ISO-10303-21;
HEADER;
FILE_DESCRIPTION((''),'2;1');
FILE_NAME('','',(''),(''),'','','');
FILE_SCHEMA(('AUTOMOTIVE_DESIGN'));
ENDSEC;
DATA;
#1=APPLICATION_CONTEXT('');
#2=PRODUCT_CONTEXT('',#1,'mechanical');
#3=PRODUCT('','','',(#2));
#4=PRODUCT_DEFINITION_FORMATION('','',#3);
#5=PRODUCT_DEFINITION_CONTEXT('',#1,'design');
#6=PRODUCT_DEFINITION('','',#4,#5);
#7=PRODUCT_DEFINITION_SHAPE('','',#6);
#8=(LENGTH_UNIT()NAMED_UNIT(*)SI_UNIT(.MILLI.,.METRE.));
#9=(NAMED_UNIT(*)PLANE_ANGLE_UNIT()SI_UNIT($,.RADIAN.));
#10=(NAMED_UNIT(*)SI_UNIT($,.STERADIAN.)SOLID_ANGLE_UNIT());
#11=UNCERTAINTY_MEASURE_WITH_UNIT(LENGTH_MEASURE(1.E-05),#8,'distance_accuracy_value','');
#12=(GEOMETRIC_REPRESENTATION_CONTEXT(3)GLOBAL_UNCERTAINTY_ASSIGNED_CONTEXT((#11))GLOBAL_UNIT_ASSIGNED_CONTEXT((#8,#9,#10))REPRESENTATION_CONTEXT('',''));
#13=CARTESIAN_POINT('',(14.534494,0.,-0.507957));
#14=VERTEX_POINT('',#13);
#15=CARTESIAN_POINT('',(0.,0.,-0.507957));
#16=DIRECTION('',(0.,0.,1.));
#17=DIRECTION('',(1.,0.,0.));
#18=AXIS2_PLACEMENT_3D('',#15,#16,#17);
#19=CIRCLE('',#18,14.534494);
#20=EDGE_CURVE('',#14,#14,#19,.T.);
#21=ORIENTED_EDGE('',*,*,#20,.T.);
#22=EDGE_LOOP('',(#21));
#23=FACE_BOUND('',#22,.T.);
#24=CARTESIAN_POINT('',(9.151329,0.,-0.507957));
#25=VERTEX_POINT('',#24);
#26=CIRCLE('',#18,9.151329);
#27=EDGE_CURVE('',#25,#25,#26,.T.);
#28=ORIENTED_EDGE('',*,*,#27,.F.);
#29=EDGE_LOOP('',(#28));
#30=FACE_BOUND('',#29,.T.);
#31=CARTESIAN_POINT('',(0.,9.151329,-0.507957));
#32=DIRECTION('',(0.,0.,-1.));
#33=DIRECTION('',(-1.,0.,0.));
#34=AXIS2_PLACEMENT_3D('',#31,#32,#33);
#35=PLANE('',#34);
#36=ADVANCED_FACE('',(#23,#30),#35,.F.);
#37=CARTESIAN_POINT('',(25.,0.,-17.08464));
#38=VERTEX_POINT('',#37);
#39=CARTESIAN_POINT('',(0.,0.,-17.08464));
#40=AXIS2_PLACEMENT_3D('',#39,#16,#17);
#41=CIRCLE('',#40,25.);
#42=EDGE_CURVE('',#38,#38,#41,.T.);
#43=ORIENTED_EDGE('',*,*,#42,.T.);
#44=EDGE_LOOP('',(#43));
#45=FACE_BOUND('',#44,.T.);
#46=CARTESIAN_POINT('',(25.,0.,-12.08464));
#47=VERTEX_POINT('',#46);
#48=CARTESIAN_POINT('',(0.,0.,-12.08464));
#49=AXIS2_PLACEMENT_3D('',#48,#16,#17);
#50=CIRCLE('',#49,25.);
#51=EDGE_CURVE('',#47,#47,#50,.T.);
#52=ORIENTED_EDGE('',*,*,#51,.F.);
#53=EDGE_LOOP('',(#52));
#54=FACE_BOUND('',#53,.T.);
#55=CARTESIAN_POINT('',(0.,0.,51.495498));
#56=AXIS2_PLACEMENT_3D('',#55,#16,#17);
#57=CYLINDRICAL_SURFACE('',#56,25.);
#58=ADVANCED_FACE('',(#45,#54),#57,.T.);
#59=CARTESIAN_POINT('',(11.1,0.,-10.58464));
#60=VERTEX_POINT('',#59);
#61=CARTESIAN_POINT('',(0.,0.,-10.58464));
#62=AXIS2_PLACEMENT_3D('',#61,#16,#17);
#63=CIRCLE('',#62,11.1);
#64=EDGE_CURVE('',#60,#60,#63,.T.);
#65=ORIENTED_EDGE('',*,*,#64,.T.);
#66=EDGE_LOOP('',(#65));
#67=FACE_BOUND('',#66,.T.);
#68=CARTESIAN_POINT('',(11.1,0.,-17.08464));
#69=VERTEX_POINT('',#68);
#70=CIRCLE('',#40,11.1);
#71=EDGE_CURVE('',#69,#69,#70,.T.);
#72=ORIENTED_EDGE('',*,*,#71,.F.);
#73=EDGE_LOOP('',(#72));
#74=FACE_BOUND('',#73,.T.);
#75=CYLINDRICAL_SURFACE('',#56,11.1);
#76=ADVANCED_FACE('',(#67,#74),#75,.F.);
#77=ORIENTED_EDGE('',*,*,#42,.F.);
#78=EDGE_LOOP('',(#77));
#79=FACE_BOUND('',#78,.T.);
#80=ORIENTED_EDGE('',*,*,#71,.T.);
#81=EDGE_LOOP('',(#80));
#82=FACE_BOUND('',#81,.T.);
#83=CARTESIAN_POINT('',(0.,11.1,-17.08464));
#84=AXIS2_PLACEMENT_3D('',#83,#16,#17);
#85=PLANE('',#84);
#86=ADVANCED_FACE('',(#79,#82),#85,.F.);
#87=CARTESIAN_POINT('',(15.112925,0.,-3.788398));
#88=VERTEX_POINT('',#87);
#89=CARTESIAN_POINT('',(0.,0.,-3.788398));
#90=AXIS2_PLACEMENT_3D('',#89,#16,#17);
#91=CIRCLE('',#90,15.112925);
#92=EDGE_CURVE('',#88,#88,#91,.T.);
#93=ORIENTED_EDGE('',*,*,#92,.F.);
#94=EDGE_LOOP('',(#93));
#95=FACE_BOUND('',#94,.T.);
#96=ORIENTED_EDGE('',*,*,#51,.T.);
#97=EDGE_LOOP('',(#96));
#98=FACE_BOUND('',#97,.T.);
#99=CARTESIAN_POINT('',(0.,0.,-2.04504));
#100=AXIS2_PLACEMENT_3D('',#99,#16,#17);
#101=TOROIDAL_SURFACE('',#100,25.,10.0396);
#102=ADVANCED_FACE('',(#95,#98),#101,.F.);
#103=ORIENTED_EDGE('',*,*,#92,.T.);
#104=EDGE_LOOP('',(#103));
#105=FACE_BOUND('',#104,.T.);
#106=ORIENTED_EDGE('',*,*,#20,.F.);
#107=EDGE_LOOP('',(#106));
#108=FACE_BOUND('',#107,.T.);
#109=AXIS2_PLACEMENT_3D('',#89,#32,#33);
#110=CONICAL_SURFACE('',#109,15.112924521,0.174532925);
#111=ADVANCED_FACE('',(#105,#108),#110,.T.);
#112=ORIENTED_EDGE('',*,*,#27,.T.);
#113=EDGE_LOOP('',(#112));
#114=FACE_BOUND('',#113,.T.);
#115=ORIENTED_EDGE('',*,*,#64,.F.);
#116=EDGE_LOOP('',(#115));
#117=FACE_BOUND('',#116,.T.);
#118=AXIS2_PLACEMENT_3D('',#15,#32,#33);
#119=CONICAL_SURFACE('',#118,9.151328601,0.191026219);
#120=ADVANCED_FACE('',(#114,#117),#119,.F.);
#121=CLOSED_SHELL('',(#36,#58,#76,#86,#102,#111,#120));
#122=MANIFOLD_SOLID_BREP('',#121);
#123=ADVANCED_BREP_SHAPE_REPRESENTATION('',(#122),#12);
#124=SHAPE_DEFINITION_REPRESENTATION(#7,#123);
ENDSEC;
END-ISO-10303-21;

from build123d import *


with BuildPart() as part:
    # Sketch1 → Revolve1 (revolve)
    with BuildSketch(Plane(origin=(0, 0, 0), x_dir=(0, 0, -1), z_dir=(1, 0, 0)), mode=Mode.PRIVATE) as revolve1_sk:
        with BuildLine():
            Line((0.507957169, 14.534494268), (3.788398149, 15.112924521))
            ThreePointArc((3.788398149, 15.112924521), (9.735819432, 18.5466698), (12.084639537, 25))
            Line((12.084639537, 25), (17.084639537, 25))
            Line((17.084639537, 25), (17.084639537, 11.1))
            Line((17.084639537, 11.1), (10.584639537, 11.1))
            Line((10.584639537, 11.1), (0.507957169, 9.151328601))
            Line((0.507957169, 9.151328601), (0.507957169, 14.534494268))
        make_face()
    revolve(revolve1_sk.sketch.rotate(Axis((0, 0, 51.495497957), (0, 0, -1)), 90), axis=Axis((0, 0, 51.495497957), (0, 0, -1)))


solid = part.part
